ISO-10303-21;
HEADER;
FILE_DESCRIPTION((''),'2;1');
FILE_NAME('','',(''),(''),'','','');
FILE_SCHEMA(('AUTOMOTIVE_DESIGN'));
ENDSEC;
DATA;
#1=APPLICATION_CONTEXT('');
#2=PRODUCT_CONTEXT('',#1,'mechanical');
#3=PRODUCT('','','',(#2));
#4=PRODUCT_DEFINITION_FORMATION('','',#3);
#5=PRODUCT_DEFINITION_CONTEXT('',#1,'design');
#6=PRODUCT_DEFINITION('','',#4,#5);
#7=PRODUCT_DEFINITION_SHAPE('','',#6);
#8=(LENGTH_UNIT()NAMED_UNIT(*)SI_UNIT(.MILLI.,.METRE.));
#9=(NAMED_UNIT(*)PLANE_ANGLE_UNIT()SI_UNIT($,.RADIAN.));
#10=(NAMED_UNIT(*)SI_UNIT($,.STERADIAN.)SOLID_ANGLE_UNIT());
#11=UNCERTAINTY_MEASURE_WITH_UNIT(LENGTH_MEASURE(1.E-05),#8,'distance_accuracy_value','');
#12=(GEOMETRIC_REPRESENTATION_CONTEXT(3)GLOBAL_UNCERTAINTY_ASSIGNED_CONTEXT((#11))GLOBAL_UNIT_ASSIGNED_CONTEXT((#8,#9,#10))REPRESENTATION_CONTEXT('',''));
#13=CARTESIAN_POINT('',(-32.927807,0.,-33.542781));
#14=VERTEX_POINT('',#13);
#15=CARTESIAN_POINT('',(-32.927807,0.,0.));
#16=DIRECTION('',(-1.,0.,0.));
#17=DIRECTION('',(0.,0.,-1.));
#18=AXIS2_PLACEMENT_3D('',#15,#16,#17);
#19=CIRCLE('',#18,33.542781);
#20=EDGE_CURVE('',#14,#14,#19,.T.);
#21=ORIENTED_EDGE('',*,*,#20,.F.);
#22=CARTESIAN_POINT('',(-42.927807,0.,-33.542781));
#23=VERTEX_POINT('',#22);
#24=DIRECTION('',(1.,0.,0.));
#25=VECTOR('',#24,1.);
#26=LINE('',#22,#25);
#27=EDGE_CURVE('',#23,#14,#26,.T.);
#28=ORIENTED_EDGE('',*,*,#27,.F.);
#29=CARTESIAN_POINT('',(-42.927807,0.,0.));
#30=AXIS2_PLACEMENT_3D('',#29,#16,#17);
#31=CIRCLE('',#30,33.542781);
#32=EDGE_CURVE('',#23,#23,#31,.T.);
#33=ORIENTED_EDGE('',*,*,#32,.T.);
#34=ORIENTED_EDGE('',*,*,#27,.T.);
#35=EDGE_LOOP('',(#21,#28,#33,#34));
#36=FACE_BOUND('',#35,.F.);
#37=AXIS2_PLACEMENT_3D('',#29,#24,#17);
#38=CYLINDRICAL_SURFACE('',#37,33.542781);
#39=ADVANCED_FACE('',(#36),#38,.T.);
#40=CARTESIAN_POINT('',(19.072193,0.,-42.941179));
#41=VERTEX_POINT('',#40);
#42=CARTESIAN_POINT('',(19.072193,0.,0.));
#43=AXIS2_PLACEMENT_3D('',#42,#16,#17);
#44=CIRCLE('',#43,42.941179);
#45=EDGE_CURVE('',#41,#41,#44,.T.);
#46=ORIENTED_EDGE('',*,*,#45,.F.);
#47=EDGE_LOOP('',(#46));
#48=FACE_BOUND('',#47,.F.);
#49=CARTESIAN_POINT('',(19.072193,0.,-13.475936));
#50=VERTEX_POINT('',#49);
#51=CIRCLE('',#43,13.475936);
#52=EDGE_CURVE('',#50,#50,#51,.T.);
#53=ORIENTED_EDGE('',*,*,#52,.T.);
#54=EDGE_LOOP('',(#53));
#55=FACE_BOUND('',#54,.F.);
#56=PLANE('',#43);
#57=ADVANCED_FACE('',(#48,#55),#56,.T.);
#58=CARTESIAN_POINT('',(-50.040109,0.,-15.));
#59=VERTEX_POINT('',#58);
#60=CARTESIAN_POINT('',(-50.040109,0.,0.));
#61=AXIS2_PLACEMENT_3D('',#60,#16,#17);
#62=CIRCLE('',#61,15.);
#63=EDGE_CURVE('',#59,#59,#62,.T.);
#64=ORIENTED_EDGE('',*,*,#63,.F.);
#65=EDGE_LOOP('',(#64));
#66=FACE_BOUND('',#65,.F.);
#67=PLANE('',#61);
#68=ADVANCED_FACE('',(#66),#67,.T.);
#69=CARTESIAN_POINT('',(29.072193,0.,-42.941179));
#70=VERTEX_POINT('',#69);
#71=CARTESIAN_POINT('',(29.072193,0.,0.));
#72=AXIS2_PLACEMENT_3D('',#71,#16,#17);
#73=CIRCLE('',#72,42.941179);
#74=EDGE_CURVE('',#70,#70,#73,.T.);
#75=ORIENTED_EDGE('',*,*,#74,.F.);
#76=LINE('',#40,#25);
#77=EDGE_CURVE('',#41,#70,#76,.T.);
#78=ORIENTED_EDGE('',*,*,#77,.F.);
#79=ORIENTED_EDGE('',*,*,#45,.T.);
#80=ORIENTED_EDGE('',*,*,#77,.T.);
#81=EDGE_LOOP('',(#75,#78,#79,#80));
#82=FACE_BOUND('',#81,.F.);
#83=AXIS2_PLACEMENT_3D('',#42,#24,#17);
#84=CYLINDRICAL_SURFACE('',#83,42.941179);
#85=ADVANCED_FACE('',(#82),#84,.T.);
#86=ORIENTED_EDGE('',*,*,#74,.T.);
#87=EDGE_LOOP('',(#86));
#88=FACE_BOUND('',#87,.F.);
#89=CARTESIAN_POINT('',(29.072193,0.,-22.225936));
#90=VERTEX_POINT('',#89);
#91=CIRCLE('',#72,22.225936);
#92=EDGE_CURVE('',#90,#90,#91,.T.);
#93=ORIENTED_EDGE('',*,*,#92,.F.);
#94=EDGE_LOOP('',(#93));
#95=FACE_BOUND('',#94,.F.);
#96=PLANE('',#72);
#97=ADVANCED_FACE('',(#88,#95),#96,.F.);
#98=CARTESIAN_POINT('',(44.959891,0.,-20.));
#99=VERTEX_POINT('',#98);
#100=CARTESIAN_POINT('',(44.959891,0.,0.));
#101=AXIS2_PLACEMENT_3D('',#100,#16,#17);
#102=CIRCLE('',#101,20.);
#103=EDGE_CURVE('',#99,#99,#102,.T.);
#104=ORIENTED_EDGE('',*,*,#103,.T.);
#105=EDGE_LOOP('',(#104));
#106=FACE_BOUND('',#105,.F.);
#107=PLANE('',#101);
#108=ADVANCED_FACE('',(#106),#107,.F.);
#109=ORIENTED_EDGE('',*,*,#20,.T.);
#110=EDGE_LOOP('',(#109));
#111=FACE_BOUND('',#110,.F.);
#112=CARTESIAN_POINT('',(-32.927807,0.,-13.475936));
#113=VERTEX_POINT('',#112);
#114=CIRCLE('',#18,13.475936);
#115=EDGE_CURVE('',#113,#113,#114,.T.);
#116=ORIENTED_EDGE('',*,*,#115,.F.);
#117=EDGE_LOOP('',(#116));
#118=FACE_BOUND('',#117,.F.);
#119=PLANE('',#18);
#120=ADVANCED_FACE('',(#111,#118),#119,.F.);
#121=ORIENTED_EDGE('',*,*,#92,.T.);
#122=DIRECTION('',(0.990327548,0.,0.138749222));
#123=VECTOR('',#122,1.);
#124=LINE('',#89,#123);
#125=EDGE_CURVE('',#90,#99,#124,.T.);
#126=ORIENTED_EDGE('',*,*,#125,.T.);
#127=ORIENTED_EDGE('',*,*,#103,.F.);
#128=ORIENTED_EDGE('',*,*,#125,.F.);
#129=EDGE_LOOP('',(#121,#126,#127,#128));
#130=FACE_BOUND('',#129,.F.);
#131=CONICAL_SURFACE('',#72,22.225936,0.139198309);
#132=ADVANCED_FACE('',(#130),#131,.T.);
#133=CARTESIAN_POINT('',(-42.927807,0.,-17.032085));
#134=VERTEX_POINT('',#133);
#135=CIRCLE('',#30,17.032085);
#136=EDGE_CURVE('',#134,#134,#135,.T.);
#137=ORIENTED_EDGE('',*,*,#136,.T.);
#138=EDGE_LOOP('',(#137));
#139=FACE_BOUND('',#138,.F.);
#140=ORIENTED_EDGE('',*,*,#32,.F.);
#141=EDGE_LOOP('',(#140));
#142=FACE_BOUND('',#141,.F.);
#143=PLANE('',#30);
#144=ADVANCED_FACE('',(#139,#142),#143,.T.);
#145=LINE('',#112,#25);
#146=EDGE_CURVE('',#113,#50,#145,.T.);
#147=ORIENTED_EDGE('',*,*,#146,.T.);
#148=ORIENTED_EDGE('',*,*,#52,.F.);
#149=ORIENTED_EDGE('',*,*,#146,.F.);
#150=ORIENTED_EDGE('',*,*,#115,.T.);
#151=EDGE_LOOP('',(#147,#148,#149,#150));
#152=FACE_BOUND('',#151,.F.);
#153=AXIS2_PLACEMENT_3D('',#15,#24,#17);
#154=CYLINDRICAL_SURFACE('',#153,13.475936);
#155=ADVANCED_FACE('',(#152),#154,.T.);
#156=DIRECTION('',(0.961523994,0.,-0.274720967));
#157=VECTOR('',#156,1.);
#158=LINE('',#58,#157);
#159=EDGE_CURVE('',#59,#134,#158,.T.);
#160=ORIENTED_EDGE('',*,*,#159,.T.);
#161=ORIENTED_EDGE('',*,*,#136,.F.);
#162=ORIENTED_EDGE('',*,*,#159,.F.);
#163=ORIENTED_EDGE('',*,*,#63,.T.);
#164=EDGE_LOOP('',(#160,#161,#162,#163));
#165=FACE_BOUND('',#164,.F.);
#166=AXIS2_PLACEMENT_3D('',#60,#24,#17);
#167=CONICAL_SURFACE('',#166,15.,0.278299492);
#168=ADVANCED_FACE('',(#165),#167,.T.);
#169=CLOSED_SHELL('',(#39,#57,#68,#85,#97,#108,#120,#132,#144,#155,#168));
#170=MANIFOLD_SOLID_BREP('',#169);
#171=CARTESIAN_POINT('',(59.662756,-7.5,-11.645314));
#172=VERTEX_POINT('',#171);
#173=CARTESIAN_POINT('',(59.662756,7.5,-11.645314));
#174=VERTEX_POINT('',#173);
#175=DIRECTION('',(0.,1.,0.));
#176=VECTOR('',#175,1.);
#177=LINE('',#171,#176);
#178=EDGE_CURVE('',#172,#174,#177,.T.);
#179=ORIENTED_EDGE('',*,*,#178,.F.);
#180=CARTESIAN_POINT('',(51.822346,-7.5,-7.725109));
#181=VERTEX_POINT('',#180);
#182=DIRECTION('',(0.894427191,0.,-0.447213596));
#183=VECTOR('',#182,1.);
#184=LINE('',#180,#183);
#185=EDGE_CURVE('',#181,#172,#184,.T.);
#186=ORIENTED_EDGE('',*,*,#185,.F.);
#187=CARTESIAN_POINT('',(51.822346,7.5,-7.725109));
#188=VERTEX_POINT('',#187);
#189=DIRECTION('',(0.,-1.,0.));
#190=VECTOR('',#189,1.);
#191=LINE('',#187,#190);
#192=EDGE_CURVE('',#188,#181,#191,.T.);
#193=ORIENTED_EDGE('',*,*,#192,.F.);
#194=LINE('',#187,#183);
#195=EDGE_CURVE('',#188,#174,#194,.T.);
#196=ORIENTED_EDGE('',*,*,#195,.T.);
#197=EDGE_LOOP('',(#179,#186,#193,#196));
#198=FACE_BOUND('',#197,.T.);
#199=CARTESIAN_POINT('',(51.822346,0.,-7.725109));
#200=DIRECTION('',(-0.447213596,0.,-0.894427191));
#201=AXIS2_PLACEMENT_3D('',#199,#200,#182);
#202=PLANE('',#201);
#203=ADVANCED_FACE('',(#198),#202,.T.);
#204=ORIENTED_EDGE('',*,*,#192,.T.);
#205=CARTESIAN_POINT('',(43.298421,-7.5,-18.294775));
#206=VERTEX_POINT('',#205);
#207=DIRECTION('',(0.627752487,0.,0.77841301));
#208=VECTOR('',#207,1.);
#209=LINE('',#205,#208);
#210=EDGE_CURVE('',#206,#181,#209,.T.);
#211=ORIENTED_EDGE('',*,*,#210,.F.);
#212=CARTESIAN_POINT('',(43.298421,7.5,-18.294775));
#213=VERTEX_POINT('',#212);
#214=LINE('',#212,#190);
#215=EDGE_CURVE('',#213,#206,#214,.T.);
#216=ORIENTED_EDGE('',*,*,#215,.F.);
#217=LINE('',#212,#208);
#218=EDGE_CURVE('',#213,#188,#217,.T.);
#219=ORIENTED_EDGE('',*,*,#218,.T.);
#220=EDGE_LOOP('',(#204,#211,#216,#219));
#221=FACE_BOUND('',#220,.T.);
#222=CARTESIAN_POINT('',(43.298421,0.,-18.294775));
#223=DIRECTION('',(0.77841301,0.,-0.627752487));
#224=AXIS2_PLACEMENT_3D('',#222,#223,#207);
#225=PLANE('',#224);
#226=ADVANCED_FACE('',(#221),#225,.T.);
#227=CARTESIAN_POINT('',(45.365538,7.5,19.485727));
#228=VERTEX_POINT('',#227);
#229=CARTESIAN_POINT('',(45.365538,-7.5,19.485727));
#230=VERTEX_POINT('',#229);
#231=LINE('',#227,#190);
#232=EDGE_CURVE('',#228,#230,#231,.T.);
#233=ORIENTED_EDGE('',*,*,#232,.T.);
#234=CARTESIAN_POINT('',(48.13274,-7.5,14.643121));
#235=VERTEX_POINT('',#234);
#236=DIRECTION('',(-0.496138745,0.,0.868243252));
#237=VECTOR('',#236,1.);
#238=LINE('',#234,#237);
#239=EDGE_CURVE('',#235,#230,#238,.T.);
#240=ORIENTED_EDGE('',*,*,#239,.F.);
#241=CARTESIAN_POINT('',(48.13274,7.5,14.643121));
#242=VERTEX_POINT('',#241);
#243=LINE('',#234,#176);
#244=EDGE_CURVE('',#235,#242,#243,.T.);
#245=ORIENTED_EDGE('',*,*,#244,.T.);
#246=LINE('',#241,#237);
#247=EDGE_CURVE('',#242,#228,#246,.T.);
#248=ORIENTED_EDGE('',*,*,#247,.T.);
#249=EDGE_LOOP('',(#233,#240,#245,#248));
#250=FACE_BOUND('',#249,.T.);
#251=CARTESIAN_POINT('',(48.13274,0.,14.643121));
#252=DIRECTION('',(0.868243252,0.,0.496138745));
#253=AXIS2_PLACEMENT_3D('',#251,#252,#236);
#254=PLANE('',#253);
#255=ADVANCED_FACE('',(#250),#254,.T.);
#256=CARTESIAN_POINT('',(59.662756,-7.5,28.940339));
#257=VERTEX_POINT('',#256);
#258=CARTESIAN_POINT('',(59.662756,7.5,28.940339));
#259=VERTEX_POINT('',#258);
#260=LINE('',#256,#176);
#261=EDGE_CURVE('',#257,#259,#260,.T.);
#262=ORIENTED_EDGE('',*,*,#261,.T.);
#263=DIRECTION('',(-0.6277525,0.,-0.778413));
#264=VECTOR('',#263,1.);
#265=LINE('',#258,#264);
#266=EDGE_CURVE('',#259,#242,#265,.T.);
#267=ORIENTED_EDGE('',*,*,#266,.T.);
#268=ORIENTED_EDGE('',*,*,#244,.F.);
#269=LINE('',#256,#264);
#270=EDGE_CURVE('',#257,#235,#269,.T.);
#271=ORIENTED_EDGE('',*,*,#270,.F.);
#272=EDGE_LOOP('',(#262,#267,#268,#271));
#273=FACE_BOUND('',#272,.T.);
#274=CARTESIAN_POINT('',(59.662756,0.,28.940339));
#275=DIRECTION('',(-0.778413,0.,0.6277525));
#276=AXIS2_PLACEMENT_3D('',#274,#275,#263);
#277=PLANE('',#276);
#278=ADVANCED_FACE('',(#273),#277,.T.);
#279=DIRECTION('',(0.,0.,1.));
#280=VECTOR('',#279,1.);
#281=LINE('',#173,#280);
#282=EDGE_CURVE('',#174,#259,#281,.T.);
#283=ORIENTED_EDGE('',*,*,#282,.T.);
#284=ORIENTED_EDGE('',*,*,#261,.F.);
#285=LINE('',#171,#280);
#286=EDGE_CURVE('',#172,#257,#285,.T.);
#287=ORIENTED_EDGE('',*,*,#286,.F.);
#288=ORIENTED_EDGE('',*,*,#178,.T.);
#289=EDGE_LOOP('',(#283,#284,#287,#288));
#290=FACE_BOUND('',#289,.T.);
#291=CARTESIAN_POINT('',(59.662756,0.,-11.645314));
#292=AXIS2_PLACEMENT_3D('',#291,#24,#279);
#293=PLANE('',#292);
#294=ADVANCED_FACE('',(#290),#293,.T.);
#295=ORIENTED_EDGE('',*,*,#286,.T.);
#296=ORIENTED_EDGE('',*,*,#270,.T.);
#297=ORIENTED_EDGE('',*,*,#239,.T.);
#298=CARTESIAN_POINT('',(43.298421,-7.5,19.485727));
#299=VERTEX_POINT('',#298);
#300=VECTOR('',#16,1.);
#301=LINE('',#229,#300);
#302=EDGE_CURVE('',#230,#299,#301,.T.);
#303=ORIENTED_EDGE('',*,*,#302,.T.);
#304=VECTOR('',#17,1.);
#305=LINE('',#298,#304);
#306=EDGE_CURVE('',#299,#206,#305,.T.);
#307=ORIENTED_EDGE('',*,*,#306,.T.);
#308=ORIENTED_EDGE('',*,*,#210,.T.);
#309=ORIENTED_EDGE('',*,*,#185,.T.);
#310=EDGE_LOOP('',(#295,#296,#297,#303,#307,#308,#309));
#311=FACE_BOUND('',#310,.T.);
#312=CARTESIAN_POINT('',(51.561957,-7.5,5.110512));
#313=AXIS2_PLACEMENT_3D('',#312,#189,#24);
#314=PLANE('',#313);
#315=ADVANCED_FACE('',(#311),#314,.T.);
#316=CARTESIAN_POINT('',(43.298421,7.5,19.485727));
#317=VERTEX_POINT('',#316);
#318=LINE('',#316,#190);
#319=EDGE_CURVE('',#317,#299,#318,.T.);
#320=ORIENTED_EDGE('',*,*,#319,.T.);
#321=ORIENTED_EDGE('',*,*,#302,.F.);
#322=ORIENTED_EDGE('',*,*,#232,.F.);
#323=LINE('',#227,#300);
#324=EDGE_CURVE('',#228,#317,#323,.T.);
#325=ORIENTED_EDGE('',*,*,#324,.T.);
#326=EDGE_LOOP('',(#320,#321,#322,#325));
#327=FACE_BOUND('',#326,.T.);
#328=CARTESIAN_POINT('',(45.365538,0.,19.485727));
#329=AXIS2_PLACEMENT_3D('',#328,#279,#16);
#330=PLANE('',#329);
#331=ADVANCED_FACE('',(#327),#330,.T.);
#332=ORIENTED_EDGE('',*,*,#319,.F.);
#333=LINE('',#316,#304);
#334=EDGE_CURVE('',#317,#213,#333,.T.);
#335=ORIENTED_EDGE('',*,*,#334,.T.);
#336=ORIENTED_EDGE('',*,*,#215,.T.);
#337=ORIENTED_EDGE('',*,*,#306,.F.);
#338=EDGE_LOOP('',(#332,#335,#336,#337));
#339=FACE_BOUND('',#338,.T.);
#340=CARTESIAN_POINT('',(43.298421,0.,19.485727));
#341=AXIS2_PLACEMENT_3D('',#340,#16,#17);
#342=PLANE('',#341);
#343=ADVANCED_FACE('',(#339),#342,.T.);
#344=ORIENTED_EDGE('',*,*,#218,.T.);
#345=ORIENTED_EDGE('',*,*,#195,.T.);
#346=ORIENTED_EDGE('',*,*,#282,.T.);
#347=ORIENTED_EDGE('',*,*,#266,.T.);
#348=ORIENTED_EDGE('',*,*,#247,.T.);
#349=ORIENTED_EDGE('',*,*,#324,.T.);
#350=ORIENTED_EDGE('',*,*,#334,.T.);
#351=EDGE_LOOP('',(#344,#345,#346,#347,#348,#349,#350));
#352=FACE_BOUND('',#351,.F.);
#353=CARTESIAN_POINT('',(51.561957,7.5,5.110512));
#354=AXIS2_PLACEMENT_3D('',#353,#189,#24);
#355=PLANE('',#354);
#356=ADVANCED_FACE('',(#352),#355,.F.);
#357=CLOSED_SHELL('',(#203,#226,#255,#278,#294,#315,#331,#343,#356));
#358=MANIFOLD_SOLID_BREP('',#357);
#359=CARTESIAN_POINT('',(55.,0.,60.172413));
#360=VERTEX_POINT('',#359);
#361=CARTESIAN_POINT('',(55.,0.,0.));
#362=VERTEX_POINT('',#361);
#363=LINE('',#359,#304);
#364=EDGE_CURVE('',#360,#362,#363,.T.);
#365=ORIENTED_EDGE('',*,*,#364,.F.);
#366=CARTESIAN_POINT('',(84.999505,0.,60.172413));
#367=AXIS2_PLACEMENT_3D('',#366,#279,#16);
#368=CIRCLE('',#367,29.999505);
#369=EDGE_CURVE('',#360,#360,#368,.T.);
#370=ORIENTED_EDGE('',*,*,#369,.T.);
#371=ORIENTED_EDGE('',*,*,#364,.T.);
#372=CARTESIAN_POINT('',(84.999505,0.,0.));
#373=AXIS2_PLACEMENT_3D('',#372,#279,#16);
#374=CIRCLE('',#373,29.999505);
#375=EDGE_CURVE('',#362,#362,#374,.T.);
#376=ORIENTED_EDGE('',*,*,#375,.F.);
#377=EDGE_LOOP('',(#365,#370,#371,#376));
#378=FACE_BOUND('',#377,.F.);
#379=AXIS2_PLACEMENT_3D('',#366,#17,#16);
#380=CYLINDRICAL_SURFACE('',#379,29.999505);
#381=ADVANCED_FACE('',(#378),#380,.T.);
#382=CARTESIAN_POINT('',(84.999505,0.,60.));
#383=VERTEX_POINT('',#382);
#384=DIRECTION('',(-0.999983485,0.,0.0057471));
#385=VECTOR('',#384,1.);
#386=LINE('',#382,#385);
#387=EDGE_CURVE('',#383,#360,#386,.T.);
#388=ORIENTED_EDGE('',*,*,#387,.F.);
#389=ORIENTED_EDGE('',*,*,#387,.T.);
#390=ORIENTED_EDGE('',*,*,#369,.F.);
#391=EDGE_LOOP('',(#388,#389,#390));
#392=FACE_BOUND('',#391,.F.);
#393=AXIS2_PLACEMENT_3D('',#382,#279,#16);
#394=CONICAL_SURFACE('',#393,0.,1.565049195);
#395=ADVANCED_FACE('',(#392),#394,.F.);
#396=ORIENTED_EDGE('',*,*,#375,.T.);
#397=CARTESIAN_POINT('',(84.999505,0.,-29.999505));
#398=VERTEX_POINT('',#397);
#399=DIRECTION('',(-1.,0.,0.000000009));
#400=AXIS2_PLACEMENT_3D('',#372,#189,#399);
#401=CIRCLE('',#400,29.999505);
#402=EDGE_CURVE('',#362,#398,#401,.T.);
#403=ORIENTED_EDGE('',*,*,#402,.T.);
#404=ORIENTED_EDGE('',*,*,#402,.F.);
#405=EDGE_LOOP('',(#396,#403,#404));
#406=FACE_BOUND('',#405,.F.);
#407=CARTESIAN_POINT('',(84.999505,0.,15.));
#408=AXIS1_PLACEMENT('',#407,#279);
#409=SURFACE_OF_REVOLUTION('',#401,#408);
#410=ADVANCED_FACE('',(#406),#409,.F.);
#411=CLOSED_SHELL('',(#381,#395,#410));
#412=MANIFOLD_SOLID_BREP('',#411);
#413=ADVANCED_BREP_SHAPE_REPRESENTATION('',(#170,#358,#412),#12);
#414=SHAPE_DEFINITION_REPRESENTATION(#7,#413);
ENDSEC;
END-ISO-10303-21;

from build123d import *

# Parameters (mm, degrees)
F5_DEPTH = 7.5


with BuildPart() as f1:
    # F0 (on Front) → F1 (revolve)
    with BuildSketch(Plane.XZ):
        Polygon((44.959891, 0), (-50.040109, 0), (-50.040109, -15), (-42.927807, -17.032085), (-42.927807, -33.542781), (-32.927807, -33.542781), (-32.927807, -13.475936), (19.072193, -13.475936), (19.072193, -42.941179), (29.072193, -42.941179), (29.072193, -22.225936), (44.959891, -20), align=None)
    revolve(axis=Axis((-2.540109, 0, 0), (-1, 0, 0)))


with BuildPart() as f3:
    # F2 (on Front) → F3 (revolve)
    with BuildSketch(Plane.XZ):
        with BuildLine():
            Line((84.999505, 60), (55, 60.172413))
            Line((55, 60.172413), (55, 0))
            ThreePointArc((55, 0), (63.786651, -21.212853), (84.999505, -29.999505))
            Line((84.999505, -29.999505), (84.999505, 60))
        make_face()
    revolve(axis=Axis((84.999505, 0, 15), (0, 0, 1)))


with BuildPart() as f5:
    # F4 (on Front) → F5 (new body, symmetric)
    with BuildSketch(Plane.XZ):
        Polygon((48.13274, 14.643121), (45.365538, 19.485727), (43.298421, 19.485727), (43.298421, -18.294775), (51.822346, -7.725109), (59.662756, -11.645314), (59.662756, 28.940339), align=None)
    extrude(amount=F5_DEPTH, both=True)


solid = Compound([f1.part, f3.part, f5.part])
